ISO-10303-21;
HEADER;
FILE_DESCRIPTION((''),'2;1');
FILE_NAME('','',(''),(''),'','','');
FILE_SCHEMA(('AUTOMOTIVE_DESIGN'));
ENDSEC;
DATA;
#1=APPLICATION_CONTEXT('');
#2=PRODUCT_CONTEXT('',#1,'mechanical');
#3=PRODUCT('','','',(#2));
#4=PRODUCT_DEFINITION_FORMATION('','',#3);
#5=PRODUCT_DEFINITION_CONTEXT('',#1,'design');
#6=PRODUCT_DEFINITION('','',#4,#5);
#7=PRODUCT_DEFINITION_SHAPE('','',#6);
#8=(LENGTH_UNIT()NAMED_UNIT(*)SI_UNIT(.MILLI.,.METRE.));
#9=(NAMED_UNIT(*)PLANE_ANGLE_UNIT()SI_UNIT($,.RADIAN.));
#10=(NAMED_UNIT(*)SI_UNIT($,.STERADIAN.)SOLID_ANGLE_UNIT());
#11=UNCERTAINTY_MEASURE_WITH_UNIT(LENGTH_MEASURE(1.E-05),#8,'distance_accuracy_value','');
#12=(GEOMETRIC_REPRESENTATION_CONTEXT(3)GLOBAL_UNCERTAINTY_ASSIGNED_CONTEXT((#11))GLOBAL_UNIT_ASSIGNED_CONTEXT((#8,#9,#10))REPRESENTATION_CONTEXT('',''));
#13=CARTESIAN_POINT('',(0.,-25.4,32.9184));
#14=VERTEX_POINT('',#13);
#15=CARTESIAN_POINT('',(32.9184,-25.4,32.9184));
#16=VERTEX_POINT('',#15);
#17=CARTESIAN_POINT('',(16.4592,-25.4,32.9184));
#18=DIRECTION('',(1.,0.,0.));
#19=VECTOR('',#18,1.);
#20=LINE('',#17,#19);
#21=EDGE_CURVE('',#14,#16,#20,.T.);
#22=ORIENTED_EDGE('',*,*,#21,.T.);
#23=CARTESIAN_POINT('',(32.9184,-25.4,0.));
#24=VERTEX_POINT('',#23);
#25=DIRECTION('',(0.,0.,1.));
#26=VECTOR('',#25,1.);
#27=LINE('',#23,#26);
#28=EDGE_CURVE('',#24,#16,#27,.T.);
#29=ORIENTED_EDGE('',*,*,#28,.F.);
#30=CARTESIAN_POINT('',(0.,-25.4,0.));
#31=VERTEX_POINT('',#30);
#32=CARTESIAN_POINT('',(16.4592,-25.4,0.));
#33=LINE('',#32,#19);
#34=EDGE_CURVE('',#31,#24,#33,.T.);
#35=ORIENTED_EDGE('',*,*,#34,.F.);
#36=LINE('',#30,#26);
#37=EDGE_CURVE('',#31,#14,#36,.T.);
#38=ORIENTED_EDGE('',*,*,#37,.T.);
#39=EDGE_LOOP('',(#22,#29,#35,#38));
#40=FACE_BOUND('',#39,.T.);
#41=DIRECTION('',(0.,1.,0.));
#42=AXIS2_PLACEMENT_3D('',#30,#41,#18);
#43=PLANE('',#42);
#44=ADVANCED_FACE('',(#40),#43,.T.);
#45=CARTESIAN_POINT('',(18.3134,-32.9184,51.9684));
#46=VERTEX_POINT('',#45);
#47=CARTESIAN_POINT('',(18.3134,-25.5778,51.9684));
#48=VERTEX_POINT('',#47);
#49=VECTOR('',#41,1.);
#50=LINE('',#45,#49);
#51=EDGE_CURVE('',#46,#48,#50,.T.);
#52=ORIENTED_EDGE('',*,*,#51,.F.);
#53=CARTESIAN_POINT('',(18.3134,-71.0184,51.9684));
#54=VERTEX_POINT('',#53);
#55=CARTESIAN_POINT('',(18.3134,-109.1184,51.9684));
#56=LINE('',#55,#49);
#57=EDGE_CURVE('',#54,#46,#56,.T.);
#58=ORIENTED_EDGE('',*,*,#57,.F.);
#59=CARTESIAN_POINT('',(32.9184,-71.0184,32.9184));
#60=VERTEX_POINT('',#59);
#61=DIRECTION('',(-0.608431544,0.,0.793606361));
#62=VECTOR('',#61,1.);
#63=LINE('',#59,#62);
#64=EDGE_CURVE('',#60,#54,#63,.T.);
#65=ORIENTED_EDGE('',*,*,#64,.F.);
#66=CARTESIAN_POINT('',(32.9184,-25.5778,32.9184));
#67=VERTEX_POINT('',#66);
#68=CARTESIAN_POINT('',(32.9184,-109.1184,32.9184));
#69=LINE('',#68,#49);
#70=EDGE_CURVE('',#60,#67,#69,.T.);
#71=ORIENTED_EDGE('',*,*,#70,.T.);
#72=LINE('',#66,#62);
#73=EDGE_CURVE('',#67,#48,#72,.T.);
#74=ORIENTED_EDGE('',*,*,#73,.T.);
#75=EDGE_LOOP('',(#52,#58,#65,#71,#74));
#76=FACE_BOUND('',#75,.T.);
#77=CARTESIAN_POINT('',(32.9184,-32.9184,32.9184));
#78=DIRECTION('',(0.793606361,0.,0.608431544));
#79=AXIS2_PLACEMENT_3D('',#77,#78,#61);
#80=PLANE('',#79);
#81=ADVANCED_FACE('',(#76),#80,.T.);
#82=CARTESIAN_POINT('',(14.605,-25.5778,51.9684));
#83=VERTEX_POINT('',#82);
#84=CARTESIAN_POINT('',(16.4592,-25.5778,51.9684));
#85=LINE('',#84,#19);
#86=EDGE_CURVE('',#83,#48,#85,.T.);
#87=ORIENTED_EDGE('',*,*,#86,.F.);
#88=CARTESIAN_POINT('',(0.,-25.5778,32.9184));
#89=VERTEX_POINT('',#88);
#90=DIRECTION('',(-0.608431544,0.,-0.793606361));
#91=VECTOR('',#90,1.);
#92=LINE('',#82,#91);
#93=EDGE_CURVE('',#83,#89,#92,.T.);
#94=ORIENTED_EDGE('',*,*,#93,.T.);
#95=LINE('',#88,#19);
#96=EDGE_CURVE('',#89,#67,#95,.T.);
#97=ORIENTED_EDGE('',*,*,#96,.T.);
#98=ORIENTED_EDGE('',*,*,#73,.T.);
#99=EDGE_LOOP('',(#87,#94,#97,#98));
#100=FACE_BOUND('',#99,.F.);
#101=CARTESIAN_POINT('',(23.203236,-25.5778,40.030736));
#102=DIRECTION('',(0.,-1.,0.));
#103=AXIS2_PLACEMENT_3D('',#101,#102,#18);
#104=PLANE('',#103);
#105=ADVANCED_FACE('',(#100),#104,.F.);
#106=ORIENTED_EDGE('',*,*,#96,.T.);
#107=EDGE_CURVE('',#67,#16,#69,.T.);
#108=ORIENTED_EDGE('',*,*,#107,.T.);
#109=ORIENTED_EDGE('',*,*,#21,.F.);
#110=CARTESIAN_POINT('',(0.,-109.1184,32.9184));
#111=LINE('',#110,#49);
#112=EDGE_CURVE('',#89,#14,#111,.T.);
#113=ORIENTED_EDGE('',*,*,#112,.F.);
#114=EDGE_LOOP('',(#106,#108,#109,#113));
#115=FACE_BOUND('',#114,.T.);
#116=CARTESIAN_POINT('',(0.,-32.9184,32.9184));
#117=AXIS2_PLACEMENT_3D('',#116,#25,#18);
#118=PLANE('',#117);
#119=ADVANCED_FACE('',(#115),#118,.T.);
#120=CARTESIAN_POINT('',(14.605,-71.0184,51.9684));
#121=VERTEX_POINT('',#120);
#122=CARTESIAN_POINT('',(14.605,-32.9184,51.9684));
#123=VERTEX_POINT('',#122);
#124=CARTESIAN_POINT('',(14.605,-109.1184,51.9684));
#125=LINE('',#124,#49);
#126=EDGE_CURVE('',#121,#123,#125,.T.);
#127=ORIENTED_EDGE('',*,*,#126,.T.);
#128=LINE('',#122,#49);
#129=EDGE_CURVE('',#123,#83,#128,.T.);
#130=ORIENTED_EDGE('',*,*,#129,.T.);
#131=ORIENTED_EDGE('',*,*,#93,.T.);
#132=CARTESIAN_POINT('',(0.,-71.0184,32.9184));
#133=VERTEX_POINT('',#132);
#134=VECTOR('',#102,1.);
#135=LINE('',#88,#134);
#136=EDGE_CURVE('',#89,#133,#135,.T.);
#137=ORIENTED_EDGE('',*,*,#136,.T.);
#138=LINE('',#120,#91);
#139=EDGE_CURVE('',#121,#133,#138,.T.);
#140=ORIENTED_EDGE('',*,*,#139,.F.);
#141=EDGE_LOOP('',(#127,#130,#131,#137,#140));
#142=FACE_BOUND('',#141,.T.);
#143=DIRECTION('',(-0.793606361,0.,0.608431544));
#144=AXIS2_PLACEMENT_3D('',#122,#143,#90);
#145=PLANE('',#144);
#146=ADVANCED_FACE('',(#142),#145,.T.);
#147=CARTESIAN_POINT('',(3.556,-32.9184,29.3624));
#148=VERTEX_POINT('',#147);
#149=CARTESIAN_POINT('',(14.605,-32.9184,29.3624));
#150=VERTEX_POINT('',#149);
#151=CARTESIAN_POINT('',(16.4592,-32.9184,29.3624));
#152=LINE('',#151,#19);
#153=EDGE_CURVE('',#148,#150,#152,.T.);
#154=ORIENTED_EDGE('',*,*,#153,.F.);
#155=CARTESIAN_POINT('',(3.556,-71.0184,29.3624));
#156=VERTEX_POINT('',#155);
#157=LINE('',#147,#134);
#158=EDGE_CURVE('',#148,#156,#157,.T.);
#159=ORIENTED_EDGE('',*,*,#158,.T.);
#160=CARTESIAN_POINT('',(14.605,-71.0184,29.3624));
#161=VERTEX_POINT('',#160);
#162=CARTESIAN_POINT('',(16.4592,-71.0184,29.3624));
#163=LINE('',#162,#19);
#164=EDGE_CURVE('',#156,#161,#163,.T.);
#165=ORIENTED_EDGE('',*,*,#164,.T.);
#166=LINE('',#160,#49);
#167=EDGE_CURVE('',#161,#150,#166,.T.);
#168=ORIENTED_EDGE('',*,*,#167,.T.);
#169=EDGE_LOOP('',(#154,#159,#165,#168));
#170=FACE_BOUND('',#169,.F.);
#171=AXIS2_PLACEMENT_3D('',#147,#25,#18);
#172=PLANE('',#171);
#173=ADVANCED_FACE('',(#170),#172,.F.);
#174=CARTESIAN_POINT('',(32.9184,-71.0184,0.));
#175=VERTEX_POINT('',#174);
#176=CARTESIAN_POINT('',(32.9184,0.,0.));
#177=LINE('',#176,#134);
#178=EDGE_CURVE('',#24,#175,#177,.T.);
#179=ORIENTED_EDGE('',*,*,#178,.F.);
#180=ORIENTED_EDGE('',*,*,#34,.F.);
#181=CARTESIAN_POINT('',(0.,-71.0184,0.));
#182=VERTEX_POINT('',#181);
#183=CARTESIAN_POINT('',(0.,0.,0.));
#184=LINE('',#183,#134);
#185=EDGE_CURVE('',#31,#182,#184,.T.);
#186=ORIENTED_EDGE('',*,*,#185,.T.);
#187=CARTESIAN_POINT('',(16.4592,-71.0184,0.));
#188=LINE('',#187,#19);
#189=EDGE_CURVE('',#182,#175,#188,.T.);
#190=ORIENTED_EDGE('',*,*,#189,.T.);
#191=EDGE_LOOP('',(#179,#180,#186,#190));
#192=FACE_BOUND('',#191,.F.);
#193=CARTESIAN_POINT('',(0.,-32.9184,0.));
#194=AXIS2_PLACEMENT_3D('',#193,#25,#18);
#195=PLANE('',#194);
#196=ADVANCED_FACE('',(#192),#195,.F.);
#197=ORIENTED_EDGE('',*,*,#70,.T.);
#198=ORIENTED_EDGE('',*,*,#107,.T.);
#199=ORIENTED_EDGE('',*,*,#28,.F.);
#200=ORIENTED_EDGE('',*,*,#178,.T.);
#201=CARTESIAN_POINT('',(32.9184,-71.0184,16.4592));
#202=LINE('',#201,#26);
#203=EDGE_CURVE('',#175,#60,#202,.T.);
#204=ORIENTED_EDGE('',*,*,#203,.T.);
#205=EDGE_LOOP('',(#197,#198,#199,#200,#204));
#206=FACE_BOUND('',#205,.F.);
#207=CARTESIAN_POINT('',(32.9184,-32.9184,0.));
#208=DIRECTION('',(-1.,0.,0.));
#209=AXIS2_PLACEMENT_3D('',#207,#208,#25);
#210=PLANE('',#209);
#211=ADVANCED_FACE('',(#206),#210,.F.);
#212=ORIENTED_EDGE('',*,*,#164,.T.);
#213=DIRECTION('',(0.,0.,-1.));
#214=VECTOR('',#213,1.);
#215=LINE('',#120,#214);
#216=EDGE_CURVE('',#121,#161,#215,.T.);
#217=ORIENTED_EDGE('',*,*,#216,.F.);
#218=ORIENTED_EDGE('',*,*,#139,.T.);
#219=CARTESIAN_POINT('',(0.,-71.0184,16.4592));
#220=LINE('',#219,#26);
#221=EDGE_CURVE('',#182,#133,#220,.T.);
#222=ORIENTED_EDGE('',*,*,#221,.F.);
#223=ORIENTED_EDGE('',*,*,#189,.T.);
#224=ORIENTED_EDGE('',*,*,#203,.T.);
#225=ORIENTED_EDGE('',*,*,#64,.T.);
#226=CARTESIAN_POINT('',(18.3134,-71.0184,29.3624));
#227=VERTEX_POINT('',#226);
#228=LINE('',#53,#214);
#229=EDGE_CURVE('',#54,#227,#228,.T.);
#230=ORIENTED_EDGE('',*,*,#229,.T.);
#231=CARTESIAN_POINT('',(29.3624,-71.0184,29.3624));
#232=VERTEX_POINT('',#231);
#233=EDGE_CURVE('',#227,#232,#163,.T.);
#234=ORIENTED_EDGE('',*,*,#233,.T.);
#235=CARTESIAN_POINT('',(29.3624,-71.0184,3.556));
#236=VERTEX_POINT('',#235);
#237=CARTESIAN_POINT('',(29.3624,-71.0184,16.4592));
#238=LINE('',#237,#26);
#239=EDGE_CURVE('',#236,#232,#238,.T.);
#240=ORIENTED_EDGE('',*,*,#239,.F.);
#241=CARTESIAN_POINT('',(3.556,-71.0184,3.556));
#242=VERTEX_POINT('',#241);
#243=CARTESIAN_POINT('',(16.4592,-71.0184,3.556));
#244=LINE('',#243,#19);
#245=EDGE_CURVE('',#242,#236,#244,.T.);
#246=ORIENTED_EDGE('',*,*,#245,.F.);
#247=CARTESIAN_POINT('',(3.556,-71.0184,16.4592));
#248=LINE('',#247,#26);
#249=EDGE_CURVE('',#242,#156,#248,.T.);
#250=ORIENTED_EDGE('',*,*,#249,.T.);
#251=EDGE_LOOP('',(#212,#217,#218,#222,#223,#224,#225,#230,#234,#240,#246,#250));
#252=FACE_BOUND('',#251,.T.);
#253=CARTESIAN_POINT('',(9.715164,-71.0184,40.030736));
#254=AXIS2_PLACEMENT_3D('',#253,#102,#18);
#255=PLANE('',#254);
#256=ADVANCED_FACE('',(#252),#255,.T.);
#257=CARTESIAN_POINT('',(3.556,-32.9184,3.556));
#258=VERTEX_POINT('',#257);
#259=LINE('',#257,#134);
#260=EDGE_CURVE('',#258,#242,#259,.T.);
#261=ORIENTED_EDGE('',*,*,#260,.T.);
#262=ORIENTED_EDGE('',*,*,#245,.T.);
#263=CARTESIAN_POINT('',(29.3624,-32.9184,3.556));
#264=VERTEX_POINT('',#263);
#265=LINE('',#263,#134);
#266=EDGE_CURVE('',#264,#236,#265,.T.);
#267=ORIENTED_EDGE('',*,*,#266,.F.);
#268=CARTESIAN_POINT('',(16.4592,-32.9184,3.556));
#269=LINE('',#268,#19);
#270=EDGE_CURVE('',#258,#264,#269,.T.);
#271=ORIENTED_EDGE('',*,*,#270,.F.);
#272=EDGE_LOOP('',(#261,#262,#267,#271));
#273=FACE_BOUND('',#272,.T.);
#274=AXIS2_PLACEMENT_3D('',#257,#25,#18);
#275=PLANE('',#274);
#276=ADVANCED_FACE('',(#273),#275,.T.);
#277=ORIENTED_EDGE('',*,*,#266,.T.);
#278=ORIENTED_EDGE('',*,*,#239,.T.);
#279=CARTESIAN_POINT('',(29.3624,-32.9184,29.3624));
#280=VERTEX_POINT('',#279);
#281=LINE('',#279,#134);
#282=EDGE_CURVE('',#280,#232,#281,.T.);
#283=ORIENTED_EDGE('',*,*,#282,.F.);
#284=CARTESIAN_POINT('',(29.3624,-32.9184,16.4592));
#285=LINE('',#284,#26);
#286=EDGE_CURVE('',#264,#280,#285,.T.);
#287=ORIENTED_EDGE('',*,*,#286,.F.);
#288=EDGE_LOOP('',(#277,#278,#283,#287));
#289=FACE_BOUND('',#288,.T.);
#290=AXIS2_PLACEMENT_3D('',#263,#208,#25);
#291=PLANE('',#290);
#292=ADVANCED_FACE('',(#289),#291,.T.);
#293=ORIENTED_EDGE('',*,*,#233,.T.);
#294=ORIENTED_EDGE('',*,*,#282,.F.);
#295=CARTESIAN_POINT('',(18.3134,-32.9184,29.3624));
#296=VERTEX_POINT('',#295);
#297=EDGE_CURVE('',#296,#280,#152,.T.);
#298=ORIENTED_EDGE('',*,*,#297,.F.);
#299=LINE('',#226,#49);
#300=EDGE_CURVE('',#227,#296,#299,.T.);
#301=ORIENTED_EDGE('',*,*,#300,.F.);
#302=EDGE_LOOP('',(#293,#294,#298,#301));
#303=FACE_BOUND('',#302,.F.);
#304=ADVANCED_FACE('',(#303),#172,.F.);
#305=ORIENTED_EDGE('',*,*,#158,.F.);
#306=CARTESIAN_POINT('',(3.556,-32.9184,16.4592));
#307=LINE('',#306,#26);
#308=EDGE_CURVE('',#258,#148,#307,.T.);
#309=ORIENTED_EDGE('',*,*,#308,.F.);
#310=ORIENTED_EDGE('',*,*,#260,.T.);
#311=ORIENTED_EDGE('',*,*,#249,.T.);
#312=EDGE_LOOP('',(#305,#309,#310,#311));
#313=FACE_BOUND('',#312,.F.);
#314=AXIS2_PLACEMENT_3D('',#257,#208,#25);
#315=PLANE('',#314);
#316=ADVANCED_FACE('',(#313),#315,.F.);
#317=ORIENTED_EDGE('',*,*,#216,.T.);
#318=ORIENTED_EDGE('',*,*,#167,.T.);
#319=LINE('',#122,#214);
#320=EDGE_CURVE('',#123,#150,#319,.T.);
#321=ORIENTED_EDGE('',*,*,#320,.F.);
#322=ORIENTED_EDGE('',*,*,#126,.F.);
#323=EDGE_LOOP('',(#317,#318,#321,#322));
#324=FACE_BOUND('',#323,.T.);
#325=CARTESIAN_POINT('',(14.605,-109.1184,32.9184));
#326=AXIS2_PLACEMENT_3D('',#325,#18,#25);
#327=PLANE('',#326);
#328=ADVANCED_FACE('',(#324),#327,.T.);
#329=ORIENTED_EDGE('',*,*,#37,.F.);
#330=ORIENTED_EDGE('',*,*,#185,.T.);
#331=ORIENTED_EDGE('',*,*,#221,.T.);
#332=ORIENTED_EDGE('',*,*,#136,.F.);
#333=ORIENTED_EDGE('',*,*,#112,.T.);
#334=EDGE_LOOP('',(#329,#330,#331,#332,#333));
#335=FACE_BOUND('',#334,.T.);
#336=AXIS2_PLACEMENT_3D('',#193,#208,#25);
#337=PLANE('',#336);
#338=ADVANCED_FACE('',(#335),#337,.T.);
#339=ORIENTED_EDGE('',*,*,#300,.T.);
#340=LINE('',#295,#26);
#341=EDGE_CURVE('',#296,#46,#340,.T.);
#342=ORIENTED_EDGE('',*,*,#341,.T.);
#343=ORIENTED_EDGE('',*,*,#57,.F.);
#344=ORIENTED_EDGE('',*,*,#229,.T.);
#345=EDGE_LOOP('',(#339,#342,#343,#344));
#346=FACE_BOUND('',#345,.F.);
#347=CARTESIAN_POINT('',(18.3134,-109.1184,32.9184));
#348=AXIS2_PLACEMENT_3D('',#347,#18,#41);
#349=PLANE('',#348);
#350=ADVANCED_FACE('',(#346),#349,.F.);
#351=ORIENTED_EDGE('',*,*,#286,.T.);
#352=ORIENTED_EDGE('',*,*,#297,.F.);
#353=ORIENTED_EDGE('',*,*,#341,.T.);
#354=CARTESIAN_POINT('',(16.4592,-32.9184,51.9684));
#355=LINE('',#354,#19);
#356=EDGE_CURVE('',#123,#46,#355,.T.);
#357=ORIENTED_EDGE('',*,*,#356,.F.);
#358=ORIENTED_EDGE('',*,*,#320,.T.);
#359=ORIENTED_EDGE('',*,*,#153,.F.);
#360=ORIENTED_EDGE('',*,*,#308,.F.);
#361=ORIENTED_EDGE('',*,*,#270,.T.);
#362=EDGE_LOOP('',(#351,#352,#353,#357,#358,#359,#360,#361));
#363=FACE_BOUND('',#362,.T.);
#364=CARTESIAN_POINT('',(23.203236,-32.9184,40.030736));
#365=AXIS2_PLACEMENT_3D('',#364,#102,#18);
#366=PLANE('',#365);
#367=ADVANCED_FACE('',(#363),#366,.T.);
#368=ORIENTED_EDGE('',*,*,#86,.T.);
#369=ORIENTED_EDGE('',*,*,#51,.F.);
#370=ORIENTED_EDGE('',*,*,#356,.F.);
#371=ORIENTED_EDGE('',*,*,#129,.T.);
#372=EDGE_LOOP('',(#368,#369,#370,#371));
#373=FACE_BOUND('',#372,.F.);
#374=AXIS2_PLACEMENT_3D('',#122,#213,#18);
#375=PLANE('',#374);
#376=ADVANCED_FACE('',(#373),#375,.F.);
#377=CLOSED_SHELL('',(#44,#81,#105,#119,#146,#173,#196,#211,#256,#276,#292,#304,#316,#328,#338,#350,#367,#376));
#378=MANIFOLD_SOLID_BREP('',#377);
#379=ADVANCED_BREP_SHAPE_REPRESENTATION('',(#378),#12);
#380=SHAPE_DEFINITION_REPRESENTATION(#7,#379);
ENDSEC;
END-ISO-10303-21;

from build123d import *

# Parameters (mm, degrees)
F0_W      = 32.9184
F0_H      = 32.9184
F1_DEPTH  = 32.9184
F2_W      = 32.9184
F2_H      = 32.9184
F2_W_2    = 25.8064
F2_H_2    = 25.8064
F3_DEPTH  = 76.2
F4_W      = 3.7084
F4_H      = 76.2
F5_DEPTH  = 5.08
F7_DEPTH  = 76.2
F8_W      = 3.7084
F8_H      = 19.05
F9_DEPTH  = 7.3406
F10_DEPTH = 25.4
F11_DEPTH = 38.1


with BuildPart() as f1:
    # F0 (on Top) → F1 (new body)
    with BuildSketch(Plane.XY):
        with Locations((16.4592, -16.4592)):
            Rectangle(F0_W, F0_H)
    extrude(amount=F1_DEPTH)

    # F2 (on face) → F3 (join)
    with BuildSketch(Plane.XZ.offset(32.9184)):
        with Locations((16.4592, 16.4592)):
            Rectangle(F2_W, F2_H)
        with Locations((16.4592, 16.4592)):
            Rectangle(F2_W_2, F2_H_2, mode=Mode.SUBTRACT)
    extrude(amount=F3_DEPTH)

    # F4 (on face) → F5 (cut)
    with BuildSketch(Plane.XY.offset(32.9184)):
        with Locations((16.4592, -71.0184)):
            Rectangle(F4_W, F4_H)
    extrude(amount=-F5_DEPTH, mode=Mode.SUBTRACT)

    # F6 (on face) → F7 (join)
    with BuildSketch(Plane.XZ.offset(109.1184)):
        Polygon((0, 32.9184), (14.605, 32.9184), (14.605, 51.9684), align=None)
        Polygon((18.3134, 32.9184), (32.9184, 32.9184), (18.3134, 51.9684), align=None)
    extrude(amount=-F7_DEPTH)

    # F8 (on face) → F9 (join)
    with BuildSketch(Plane.XZ.offset(32.9184)):
        Polygon((18.3134, 51.9684), (18.3134, 32.9184), (32.9184, 32.9184), align=None)
        with Locations((16.4592, 42.4434)):
            Rectangle(F8_W, F8_H)
        Polygon((0, 32.9184), (14.605, 32.9184), (14.605, 51.9684), align=None)
    extrude(amount=-F9_DEPTH)

    # F10 (cut): a face of the model
    f10_faces = [f1.faces().sort_by_distance(p)[0] for p in [
        (16.4592, 0, 16.4592),
    ]]
    extrude(f10_faces, amount=-F10_DEPTH, mode=Mode.SUBTRACT)

    # F11 (cut): a face of the model
    f11_faces = [f1.faces().sort_by_distance(p)[0] for p in [
        (32.3032304578, -109.1184, 16.4592),
    ]]
    extrude(f11_faces, amount=-F11_DEPTH, mode=Mode.SUBTRACT)


solid = f1.part
